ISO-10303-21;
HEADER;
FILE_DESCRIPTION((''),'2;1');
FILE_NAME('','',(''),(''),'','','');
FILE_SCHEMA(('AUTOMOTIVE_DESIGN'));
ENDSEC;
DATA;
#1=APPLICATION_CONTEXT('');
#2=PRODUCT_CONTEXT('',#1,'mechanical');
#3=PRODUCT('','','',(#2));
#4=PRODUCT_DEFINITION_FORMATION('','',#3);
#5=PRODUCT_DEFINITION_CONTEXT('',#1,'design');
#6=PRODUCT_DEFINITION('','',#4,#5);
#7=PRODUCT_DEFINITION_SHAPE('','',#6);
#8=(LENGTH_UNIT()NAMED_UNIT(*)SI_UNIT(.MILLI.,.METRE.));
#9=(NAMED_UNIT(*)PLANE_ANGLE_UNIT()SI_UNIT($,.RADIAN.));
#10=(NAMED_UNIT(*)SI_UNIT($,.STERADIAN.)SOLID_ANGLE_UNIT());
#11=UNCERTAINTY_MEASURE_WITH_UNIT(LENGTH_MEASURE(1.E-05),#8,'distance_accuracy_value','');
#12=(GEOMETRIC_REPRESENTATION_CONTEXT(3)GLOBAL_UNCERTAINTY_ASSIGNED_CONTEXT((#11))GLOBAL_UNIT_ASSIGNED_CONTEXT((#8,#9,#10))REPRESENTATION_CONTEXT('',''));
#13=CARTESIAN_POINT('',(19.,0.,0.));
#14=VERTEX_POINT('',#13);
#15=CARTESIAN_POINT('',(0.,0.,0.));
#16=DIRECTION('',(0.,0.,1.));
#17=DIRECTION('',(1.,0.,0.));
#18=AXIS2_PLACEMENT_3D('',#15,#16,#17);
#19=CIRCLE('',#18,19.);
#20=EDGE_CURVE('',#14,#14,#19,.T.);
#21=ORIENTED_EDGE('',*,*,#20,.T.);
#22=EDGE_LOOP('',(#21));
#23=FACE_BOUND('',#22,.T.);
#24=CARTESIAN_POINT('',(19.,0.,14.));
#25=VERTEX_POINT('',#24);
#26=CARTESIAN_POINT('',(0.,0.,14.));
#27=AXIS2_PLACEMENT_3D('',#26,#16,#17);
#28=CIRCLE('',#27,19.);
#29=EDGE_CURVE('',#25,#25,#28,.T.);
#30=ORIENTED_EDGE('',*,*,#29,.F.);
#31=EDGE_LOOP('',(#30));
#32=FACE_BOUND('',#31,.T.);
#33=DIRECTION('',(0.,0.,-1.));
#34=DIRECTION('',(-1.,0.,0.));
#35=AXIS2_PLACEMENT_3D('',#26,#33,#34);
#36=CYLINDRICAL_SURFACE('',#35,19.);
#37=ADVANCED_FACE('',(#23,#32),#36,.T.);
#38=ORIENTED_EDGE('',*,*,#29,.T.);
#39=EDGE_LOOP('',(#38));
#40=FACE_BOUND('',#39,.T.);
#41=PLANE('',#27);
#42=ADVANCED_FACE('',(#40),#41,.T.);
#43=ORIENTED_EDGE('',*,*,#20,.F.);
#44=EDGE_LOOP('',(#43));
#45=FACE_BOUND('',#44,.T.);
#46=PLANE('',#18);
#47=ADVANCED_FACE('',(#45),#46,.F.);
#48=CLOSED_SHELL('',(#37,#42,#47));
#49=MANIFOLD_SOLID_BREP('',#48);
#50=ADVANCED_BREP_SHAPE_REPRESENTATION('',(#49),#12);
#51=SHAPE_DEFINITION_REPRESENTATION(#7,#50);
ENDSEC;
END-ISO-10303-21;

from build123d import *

# Parameters (mm, degrees)
SKETCH1_R           = 19
BOSS_EXTRUDE1_DEPTH = 14


with BuildPart() as part:
    # Sketch1 → Boss-Extrude1 (new body)
    with BuildSketch(Plane.XY):
        Circle(SKETCH1_R)
    extrude(amount=BOSS_EXTRUDE1_DEPTH)


solid = part.part
